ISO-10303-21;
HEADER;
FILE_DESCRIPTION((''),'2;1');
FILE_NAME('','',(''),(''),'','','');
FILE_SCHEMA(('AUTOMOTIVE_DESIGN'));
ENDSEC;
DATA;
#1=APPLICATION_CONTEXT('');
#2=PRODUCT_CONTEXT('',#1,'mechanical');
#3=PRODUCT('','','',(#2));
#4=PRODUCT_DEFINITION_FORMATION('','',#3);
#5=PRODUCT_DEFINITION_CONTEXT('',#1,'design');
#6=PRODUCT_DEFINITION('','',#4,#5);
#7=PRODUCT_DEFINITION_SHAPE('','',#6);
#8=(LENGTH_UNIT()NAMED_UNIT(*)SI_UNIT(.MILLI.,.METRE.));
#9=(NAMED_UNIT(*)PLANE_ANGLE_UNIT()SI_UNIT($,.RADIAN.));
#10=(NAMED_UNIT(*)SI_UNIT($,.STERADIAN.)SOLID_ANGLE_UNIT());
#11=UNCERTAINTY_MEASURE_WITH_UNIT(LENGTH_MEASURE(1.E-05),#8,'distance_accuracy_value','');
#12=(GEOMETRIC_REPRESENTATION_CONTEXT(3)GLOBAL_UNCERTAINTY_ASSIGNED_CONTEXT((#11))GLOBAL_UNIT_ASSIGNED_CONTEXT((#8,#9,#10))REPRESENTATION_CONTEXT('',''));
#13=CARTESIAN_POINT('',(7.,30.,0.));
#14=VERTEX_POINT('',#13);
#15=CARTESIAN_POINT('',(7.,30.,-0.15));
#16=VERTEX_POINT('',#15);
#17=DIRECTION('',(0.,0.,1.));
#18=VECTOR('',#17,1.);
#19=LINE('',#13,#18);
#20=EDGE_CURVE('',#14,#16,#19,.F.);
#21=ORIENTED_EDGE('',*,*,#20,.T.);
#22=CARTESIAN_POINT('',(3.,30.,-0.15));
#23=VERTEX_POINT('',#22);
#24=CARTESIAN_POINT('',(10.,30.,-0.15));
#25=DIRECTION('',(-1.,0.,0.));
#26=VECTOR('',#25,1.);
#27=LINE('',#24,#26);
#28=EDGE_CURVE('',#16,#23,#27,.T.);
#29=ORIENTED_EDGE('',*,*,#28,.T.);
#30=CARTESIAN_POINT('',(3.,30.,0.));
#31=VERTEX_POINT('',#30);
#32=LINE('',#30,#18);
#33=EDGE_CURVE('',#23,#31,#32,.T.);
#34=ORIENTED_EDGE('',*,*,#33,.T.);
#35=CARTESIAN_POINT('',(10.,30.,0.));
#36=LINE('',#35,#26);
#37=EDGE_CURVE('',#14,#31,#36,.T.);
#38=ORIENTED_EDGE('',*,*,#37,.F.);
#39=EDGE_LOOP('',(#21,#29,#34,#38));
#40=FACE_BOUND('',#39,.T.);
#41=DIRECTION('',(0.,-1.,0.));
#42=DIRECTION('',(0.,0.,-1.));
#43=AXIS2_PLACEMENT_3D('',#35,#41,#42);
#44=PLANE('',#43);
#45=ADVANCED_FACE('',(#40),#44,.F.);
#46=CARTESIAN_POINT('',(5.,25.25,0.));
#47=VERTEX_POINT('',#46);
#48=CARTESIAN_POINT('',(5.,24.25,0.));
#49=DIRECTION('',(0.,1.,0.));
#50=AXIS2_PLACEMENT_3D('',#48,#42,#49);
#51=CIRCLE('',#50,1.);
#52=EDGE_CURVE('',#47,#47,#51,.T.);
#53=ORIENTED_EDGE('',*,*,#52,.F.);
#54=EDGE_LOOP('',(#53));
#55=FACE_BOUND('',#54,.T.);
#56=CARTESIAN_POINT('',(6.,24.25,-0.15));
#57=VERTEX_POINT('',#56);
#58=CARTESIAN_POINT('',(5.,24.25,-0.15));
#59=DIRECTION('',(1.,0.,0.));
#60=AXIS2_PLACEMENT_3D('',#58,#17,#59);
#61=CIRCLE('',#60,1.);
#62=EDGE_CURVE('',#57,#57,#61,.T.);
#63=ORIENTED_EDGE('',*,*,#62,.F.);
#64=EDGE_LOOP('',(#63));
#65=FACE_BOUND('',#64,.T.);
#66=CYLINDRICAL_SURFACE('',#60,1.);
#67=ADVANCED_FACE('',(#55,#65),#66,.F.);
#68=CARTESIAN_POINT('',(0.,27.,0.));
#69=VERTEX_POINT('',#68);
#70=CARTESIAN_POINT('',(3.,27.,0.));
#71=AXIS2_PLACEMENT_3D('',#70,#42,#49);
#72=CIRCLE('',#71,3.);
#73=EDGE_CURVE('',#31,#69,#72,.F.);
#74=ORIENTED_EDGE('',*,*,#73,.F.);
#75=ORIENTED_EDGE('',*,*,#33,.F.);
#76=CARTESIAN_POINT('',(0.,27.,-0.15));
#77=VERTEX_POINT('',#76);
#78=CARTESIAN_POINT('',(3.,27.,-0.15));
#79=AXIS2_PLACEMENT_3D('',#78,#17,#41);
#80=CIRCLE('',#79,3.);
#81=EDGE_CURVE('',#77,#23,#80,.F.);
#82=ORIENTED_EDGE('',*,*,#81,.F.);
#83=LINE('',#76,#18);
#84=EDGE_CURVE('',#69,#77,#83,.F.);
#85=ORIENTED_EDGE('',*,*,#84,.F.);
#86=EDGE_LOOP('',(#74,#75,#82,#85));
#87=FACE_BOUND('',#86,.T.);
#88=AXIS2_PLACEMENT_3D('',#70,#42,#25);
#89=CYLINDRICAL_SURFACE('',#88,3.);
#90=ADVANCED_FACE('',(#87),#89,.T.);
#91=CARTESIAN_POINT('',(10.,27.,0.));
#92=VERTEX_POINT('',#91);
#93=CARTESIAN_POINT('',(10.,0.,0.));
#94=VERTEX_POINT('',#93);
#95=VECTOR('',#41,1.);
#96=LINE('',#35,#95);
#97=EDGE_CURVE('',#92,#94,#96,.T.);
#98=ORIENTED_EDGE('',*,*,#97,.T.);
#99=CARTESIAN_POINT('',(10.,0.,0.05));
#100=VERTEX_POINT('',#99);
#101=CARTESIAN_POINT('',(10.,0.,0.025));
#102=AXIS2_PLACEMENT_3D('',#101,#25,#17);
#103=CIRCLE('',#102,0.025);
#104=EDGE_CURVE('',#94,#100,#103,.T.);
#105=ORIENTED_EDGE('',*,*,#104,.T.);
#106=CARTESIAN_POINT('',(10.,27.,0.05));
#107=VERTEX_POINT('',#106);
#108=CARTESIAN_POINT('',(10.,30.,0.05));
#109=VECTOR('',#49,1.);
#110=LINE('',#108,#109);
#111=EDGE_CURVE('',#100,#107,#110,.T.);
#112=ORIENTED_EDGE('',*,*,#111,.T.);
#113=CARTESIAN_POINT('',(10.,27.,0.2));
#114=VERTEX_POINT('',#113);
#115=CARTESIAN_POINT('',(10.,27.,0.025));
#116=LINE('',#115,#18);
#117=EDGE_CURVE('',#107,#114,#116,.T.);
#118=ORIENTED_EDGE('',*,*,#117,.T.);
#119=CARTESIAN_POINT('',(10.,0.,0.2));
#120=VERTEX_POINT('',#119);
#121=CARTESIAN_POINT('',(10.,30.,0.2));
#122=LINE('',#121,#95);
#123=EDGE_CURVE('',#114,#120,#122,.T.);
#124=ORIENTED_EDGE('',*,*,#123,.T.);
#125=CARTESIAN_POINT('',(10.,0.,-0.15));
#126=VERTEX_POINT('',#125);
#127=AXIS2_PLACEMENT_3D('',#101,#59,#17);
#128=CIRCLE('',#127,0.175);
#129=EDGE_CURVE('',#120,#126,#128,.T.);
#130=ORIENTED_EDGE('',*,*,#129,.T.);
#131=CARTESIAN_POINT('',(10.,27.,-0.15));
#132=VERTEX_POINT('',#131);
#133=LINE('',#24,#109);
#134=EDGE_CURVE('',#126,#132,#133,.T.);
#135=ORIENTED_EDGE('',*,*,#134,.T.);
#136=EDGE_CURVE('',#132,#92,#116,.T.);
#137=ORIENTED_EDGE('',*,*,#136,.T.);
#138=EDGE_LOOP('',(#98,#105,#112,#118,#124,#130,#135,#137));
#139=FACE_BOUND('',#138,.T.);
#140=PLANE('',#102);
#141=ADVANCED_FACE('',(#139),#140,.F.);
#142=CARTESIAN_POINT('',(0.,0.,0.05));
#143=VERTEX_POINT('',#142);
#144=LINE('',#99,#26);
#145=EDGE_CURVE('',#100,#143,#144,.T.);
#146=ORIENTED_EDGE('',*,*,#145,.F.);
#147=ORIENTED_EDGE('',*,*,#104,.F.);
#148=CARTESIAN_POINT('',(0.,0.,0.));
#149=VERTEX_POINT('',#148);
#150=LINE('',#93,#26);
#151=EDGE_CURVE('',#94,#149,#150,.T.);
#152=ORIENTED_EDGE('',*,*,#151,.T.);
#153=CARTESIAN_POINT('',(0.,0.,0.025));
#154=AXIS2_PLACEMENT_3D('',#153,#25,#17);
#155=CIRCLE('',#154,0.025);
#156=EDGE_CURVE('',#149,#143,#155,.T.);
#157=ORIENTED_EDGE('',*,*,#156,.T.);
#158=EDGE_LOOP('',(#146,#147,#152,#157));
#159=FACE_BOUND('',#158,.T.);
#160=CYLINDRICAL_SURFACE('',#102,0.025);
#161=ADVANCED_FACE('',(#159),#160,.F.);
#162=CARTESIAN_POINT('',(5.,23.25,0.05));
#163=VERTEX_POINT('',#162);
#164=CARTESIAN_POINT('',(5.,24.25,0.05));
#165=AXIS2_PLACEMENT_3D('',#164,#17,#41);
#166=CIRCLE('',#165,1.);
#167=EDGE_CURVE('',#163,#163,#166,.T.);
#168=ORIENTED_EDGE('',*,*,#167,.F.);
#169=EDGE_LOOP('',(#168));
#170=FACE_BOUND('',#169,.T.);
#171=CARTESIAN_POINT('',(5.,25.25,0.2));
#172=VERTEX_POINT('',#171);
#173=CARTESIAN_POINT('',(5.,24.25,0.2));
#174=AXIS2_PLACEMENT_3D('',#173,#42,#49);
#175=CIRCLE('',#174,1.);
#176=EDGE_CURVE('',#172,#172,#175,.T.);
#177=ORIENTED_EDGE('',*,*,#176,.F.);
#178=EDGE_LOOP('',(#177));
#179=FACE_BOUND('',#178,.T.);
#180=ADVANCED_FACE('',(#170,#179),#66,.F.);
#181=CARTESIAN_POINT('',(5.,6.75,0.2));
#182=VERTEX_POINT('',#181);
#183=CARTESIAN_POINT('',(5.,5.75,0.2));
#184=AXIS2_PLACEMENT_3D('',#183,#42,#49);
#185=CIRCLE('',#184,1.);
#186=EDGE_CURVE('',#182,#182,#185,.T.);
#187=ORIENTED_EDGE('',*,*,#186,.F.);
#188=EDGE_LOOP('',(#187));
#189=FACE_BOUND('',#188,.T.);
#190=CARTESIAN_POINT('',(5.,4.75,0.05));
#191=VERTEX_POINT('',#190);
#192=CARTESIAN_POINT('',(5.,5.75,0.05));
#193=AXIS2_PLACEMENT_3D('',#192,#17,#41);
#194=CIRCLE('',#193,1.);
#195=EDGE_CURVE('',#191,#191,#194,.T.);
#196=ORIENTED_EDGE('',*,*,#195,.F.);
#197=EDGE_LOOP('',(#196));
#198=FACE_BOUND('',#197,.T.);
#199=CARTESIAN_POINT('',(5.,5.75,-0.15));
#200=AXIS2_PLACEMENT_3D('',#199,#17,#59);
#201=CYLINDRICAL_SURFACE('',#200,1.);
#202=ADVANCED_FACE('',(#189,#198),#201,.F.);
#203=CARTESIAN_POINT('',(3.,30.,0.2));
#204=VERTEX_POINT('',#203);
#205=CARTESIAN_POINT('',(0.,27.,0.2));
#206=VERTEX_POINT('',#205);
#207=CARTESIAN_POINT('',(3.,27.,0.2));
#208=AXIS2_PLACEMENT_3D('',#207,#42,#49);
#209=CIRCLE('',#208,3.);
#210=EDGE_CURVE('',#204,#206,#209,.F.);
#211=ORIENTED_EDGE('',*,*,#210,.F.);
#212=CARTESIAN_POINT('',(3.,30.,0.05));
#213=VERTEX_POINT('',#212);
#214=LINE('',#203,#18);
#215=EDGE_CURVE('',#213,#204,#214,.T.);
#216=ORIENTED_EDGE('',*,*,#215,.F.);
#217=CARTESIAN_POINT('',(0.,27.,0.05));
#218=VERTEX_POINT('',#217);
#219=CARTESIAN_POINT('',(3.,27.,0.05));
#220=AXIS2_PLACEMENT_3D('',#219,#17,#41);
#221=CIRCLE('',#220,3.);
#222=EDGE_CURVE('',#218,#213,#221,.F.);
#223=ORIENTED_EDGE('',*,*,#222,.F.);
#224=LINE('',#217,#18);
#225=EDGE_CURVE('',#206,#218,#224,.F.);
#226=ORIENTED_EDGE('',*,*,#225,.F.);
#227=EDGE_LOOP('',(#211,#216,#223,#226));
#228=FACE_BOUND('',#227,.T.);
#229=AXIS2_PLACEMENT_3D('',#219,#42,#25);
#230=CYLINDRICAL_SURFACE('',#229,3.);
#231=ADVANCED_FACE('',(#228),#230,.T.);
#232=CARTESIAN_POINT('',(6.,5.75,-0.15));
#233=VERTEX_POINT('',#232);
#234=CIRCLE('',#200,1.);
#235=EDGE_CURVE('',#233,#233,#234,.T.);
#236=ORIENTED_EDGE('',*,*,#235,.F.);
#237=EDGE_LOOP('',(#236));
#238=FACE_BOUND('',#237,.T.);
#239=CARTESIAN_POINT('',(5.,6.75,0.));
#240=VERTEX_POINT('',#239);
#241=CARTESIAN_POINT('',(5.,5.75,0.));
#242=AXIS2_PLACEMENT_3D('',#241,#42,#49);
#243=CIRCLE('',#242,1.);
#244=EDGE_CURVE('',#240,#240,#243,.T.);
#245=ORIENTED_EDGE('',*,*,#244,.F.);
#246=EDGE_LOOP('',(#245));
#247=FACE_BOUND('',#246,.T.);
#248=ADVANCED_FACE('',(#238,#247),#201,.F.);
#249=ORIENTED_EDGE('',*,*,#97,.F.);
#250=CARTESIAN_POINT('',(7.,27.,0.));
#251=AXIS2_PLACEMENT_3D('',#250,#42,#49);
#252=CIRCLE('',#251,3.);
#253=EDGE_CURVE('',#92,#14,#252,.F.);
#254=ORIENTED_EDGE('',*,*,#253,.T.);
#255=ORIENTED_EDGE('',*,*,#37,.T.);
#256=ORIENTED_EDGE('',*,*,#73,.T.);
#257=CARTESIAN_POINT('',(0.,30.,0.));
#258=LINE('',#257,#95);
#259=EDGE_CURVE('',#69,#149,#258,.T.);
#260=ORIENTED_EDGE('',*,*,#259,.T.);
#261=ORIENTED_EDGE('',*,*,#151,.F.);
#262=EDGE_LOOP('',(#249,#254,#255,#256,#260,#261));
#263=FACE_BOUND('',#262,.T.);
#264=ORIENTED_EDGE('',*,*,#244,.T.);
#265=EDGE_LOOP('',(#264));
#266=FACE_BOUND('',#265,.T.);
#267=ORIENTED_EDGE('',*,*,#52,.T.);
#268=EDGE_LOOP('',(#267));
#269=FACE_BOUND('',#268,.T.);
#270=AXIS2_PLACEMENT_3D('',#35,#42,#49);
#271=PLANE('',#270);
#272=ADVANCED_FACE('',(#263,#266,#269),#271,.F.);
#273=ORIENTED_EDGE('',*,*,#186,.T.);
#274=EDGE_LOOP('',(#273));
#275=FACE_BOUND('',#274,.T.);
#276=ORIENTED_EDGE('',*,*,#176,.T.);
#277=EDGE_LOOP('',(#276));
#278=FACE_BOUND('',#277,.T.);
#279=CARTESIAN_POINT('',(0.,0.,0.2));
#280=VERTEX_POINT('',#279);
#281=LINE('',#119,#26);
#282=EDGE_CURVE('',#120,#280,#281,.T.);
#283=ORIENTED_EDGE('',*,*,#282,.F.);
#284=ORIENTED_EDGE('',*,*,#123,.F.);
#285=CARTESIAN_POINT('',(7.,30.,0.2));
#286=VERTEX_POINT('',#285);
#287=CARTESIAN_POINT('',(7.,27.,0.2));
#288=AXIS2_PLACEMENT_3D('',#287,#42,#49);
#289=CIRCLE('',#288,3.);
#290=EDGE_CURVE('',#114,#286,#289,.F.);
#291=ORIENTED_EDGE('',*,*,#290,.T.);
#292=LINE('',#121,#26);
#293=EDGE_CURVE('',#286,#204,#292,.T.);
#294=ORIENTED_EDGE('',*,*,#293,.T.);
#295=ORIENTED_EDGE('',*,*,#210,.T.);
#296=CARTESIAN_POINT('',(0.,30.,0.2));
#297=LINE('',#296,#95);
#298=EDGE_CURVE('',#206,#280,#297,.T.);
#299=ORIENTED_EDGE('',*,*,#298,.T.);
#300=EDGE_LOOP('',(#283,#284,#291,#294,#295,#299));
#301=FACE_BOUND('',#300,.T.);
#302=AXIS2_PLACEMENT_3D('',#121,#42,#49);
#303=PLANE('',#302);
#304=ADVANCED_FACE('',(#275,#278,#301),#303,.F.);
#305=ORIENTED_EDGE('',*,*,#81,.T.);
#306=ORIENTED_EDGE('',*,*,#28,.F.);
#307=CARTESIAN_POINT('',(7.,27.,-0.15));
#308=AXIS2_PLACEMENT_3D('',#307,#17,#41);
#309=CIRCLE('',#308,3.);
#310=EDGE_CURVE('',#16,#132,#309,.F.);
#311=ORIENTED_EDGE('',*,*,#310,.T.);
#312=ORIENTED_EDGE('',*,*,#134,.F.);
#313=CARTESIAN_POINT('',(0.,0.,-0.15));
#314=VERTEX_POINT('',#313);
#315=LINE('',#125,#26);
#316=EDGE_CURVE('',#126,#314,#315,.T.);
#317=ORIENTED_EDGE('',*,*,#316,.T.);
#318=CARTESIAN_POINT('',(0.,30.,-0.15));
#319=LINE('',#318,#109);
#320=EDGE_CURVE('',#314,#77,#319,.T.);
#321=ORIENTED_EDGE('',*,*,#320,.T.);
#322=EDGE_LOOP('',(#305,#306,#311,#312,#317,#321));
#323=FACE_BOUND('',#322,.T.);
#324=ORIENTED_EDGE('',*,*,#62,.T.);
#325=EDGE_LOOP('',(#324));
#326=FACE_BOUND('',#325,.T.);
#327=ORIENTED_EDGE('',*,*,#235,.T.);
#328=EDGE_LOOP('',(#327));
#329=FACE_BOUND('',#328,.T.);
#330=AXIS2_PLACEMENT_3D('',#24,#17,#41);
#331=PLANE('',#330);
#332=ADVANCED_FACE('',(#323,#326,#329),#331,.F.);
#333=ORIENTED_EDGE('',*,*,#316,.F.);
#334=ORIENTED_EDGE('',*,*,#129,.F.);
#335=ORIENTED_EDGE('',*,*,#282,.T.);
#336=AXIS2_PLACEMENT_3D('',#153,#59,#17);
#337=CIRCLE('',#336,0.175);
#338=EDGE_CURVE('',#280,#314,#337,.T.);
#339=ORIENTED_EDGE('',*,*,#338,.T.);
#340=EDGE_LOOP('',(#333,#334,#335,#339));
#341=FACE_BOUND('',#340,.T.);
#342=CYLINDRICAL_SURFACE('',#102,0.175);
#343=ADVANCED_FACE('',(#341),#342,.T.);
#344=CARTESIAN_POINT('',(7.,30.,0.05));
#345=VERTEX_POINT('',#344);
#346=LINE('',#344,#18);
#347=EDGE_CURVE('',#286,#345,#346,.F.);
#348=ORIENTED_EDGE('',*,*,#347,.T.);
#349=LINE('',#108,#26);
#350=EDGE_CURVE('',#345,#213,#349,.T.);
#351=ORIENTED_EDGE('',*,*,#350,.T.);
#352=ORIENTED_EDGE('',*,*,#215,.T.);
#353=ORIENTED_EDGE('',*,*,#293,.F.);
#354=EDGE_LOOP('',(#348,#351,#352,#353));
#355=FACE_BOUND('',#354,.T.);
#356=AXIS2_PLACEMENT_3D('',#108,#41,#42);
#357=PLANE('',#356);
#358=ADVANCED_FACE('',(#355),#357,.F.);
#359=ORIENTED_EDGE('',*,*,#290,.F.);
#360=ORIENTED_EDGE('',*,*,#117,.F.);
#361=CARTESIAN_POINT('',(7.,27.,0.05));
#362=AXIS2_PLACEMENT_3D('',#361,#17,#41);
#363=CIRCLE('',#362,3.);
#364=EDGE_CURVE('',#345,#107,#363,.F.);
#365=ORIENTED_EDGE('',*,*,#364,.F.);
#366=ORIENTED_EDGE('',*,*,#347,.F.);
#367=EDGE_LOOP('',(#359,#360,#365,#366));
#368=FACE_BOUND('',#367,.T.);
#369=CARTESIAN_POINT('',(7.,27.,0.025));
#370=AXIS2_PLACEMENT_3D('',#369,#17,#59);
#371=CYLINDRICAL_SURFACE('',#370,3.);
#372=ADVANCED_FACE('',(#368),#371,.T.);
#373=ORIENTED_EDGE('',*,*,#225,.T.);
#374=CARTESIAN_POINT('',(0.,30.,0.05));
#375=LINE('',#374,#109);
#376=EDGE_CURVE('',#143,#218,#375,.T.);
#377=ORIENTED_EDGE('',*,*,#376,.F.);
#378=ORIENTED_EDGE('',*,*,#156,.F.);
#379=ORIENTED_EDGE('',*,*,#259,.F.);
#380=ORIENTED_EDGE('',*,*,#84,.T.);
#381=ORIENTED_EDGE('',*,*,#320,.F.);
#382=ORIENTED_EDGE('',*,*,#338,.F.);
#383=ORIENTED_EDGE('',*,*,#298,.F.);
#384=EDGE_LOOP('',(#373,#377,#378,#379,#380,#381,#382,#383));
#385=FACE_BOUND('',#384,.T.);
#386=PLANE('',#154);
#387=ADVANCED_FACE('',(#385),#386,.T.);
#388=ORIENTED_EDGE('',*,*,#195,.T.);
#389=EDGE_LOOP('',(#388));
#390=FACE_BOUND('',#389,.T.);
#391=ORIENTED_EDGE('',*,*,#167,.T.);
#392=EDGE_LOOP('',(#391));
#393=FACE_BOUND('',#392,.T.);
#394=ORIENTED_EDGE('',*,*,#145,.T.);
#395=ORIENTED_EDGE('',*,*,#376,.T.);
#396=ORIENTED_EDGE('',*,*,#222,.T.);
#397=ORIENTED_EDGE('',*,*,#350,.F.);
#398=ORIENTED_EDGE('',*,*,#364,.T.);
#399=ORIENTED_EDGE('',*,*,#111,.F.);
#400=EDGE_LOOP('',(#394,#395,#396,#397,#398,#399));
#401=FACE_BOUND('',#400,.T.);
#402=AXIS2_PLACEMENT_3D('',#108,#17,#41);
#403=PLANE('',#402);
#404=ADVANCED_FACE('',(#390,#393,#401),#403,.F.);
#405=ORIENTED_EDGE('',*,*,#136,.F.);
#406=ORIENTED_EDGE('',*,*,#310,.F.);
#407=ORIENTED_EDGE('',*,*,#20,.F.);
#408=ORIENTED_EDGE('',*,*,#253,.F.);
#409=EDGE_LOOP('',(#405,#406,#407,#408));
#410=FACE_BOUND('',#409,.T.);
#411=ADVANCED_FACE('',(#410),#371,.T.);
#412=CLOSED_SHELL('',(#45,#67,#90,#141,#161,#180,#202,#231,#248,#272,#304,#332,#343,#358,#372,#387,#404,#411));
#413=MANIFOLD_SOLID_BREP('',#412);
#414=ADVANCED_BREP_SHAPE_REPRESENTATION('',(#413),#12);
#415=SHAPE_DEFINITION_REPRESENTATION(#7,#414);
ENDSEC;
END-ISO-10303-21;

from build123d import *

# Parameters (mm, degrees)
BOSS_EXTRUDE1_DEPTH     = 10
FILLET1_R               = 3
SKETCH2_R               = 1
CUT_EXTRUDE1_DEPTH      = 1
CUT_EXTRUDE1_DEPTH_BACK = 1.35


with BuildPart() as part:
    # Sketch1 → Boss-Extrude1 (new body)
    with BuildSketch(Plane(origin=(0, 0, 0), x_dir=(0, 0, -1), z_dir=(1, 0, 0))):
        with BuildLine():
            Line((0, 30), (0, 0))
            ThreePointArc((0, 0), (-0.025, -0.025), (-0.05, 0))
            Line((-0.05, 0), (-0.05, 30))
            Line((-0.05, 30), (-0.2, 30))
            Line((-0.2, 30), (-0.2, 0))
            ThreePointArc((-0.2, 0), (-0.025, -0.175), (0.15, 0))
            Line((0.15, 0), (0.15, 30))
            Line((0.15, 30), (0, 30))
        make_face()
    extrude(amount=BOSS_EXTRUDE1_DEPTH)

    # Fillet1
    fillet1_edges = [part.edges().sort_by_distance(p)[0] for p in [
        (0, 30, -0.075),
        (10, 30, 0.125),
        (10, 30, -0.075),
        (0, 30, 0.125),
    ]]
    fillet(fillet1_edges, radius=FILLET1_R)

    # Sketch2 → Cut-Extrude1 (cut, two sides)
    with BuildSketch(Plane.XY.offset(0.2)) as cut_extrude1_sk:
        with Locations((5, 24.25)):
            Circle(SKETCH2_R)
        with Locations((5, 5.75)):
            Circle(SKETCH2_R)
    extrude(amount=CUT_EXTRUDE1_DEPTH, mode=Mode.SUBTRACT)
    extrude(cut_extrude1_sk.sketch, amount=-CUT_EXTRUDE1_DEPTH_BACK, mode=Mode.SUBTRACT)


solid = part.part
